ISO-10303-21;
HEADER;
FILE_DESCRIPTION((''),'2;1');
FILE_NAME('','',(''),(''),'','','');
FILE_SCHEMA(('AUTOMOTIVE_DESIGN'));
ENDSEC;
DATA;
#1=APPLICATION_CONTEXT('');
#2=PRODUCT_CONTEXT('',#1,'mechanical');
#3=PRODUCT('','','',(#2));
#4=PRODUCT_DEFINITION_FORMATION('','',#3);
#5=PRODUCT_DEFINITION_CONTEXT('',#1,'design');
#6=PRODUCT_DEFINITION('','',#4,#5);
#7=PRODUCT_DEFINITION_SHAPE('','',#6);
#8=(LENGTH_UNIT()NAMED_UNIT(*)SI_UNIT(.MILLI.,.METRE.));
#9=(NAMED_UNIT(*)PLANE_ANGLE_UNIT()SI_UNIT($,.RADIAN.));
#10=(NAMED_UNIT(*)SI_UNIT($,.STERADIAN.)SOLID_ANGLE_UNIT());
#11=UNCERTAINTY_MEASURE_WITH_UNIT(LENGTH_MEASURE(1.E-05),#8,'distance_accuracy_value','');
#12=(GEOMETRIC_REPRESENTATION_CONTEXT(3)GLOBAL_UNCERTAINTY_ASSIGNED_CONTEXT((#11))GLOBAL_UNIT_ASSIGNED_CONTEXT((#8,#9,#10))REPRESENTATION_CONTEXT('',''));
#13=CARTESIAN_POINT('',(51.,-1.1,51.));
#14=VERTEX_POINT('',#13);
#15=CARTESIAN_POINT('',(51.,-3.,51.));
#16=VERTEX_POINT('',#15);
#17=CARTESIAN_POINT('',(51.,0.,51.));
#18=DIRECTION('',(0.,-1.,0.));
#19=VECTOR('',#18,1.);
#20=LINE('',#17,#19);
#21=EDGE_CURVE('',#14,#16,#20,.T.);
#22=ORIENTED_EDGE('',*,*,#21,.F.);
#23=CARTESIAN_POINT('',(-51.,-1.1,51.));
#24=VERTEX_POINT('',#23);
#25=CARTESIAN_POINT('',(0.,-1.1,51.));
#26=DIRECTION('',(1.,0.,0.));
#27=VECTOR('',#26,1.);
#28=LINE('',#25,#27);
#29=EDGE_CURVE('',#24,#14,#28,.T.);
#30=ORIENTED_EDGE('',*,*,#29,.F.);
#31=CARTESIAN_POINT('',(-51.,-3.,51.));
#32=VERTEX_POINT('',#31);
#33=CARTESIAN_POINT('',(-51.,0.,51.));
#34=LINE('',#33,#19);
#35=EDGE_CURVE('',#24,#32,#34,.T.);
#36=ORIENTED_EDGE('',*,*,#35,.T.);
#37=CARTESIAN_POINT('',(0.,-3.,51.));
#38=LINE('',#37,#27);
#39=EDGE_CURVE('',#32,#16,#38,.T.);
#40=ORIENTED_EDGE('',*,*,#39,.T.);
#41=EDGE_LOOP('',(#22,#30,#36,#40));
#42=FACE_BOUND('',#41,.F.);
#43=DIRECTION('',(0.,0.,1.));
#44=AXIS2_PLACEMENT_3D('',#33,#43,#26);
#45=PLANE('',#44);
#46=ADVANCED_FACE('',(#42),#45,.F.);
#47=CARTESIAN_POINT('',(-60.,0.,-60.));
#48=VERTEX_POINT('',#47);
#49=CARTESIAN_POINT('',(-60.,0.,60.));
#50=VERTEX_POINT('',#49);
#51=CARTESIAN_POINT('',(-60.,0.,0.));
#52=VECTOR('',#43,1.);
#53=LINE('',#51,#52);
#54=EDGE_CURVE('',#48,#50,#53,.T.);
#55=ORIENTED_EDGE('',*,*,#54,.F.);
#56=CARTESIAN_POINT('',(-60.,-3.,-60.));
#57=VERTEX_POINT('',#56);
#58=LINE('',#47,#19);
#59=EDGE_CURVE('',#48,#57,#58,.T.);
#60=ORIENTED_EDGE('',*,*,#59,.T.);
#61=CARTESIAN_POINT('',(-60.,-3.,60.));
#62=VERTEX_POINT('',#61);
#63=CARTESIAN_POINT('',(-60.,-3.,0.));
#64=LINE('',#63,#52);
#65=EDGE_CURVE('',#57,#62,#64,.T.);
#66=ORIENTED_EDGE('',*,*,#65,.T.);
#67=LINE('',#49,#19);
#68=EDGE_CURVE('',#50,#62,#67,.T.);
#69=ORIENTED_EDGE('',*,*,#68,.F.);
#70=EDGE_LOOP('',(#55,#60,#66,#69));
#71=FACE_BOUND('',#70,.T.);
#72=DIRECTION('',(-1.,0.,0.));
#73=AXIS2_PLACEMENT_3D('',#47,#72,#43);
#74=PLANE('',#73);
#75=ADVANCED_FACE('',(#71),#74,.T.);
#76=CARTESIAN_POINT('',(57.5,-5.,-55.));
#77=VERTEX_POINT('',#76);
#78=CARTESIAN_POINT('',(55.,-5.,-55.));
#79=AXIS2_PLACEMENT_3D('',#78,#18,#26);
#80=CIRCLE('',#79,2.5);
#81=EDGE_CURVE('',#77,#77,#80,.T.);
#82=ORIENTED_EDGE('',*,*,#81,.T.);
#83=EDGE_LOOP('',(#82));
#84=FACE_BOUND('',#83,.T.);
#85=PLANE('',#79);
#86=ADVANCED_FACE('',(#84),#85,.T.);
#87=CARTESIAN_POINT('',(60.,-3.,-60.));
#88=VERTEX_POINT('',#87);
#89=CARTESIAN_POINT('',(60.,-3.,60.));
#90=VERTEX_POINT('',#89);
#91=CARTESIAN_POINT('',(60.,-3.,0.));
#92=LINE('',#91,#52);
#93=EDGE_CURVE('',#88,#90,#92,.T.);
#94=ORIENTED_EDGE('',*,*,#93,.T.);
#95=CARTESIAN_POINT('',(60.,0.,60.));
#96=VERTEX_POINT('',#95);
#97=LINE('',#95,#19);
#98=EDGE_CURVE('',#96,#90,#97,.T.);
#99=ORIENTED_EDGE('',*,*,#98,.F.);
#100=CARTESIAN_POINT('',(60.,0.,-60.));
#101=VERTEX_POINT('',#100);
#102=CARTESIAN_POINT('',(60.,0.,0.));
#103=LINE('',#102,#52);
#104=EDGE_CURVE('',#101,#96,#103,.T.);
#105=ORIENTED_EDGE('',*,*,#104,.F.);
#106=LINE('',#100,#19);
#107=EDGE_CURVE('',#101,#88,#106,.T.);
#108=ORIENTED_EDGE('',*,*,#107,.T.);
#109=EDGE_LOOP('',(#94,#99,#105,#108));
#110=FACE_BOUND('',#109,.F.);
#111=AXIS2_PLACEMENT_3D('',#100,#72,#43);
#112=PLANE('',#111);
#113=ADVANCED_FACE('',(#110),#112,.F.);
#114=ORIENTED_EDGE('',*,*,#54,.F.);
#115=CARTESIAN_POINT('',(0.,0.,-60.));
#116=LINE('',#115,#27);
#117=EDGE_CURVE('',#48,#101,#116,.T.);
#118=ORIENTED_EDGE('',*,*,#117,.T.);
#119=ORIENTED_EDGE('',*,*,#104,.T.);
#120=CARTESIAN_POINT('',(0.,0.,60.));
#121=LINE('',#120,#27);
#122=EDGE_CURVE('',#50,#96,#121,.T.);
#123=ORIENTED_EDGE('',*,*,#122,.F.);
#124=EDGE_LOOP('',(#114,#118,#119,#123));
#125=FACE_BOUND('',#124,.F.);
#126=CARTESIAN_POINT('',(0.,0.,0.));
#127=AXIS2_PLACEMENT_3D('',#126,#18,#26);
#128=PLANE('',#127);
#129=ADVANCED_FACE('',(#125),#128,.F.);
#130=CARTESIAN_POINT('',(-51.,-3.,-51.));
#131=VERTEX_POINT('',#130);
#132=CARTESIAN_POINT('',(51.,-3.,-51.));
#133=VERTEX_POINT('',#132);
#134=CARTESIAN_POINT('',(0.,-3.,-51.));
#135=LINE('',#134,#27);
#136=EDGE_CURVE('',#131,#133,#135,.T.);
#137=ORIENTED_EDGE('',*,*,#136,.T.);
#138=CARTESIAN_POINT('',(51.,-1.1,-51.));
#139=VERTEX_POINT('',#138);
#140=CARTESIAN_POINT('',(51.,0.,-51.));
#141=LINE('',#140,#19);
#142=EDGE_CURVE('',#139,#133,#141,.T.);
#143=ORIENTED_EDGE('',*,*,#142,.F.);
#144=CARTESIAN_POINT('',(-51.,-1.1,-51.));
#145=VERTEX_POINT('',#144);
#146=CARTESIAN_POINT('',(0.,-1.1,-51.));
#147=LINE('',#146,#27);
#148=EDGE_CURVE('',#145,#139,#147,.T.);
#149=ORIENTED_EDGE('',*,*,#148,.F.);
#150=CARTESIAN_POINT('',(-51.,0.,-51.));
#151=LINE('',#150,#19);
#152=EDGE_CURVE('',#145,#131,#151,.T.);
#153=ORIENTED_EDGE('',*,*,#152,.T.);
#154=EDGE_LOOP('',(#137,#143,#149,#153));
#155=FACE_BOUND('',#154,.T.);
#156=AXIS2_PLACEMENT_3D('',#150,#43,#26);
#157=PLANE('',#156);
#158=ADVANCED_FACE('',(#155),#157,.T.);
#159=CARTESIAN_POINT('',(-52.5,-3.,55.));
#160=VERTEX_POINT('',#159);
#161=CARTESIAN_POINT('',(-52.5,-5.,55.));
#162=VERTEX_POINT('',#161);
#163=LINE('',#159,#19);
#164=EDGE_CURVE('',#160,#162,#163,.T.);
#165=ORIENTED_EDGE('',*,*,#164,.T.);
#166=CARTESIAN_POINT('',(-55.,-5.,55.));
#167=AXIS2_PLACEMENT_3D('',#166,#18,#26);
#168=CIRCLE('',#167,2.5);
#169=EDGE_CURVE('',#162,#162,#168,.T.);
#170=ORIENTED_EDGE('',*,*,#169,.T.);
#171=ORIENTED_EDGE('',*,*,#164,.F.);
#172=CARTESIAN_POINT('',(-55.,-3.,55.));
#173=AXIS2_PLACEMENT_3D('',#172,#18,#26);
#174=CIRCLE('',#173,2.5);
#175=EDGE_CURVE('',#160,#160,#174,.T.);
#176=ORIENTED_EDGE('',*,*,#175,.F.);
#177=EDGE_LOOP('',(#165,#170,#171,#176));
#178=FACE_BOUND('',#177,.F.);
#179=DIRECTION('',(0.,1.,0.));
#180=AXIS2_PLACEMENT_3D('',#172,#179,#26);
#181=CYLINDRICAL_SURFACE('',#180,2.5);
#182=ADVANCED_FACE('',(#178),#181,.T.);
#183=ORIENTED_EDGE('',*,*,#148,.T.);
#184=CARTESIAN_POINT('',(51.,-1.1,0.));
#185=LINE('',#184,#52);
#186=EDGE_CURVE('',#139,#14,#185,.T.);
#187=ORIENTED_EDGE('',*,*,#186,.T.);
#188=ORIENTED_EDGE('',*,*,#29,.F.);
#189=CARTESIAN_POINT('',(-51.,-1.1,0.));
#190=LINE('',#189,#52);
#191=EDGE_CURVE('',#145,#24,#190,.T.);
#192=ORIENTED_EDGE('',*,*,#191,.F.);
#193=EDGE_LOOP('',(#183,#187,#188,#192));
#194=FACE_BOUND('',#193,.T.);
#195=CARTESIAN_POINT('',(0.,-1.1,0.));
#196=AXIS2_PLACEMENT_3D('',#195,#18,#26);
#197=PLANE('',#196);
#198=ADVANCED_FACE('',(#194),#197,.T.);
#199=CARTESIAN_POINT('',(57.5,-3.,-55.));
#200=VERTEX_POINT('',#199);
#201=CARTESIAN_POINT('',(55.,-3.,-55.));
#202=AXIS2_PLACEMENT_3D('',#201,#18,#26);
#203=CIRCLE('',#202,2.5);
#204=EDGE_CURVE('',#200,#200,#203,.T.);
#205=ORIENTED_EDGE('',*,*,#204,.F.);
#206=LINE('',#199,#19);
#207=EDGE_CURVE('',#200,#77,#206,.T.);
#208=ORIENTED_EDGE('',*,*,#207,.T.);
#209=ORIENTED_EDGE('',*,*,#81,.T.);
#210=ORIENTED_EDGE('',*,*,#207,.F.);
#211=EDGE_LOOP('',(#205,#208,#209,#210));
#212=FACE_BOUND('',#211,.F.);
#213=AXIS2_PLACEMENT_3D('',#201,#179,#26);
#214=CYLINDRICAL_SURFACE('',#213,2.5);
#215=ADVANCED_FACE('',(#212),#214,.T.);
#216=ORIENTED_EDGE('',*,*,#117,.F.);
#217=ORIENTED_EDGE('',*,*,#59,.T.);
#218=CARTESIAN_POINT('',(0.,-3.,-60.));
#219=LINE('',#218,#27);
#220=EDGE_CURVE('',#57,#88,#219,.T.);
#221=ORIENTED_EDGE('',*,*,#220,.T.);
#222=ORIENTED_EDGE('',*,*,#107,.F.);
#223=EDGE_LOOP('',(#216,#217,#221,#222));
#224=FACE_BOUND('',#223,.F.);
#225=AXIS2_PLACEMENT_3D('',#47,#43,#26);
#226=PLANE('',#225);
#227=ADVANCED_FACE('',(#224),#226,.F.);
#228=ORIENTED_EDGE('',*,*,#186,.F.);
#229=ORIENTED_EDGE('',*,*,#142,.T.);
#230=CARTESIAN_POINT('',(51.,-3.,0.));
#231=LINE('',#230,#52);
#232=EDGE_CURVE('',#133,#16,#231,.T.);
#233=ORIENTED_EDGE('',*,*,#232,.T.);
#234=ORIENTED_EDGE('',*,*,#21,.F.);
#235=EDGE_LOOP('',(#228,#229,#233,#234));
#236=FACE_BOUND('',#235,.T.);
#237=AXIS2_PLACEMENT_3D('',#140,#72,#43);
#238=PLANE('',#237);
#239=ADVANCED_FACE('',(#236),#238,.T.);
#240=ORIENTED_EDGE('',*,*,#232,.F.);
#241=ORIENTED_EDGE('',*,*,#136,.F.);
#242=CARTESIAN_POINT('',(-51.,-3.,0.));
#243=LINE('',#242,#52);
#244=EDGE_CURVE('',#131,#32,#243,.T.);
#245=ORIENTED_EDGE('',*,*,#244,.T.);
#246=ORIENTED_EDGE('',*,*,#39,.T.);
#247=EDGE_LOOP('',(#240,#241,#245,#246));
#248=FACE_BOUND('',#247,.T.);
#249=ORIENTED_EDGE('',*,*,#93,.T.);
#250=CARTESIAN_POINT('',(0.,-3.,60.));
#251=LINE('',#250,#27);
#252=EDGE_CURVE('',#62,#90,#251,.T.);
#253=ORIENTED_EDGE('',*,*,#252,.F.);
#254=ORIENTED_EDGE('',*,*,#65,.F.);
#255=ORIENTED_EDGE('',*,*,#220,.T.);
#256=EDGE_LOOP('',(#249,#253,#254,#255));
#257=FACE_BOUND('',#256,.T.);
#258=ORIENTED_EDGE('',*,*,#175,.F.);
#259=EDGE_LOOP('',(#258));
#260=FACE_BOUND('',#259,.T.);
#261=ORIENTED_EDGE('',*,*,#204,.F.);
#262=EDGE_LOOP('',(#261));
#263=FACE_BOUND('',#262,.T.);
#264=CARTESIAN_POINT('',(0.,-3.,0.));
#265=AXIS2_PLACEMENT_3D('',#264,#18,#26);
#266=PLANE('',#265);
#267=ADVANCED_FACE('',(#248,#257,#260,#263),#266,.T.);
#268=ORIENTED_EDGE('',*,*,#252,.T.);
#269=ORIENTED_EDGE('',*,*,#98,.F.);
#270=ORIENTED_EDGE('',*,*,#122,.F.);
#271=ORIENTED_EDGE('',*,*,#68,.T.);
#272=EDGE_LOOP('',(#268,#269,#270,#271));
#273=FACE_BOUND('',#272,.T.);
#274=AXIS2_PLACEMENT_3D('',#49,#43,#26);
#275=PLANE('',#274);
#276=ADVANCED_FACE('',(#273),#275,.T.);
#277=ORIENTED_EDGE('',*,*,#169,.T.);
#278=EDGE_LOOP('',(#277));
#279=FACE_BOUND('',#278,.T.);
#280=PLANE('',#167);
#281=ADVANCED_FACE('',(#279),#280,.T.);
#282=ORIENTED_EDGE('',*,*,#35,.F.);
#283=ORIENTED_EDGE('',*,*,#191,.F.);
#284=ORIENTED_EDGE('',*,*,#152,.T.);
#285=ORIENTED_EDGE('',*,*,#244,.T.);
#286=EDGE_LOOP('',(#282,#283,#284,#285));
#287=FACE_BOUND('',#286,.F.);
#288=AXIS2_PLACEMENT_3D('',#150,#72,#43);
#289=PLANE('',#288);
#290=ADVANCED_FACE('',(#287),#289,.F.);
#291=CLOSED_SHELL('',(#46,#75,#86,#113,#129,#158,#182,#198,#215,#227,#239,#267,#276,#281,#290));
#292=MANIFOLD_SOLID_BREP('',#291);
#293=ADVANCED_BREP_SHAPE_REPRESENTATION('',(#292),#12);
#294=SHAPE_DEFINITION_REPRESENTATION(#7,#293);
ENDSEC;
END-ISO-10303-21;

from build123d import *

# Parameters (mm, degrees)
F0_W     = 120
F0_H     = 120
F0_W_2   = 102
F0_H_2   = 102
F1_DEPTH = 3
F2_DEPTH = 1.1
F3_R     = 2.5
F4_DEPTH = 2


with BuildPart() as f1:
    # F0 (on Front) → F1 (new body)
    with BuildSketch(Plane.XZ):
        Rectangle(F0_W, F0_H)
        Rectangle(F0_W_2, F0_H_2, mode=Mode.SUBTRACT)
    extrude(amount=F1_DEPTH)

    # F0 (on Front) → F2 (join)
    with BuildSketch(Plane.XZ):
        Rectangle(F0_W_2, F0_H_2)
    extrude(amount=F2_DEPTH)

    # F3 (on face) → F4 (join)
    with BuildSketch(Plane.XZ.offset(3)):
        with Locations((-55, 55)):
            Circle(F3_R)
        with Locations((55, -55)):
            Circle(F3_R)
    extrude(amount=F4_DEPTH)


solid = f1.part
